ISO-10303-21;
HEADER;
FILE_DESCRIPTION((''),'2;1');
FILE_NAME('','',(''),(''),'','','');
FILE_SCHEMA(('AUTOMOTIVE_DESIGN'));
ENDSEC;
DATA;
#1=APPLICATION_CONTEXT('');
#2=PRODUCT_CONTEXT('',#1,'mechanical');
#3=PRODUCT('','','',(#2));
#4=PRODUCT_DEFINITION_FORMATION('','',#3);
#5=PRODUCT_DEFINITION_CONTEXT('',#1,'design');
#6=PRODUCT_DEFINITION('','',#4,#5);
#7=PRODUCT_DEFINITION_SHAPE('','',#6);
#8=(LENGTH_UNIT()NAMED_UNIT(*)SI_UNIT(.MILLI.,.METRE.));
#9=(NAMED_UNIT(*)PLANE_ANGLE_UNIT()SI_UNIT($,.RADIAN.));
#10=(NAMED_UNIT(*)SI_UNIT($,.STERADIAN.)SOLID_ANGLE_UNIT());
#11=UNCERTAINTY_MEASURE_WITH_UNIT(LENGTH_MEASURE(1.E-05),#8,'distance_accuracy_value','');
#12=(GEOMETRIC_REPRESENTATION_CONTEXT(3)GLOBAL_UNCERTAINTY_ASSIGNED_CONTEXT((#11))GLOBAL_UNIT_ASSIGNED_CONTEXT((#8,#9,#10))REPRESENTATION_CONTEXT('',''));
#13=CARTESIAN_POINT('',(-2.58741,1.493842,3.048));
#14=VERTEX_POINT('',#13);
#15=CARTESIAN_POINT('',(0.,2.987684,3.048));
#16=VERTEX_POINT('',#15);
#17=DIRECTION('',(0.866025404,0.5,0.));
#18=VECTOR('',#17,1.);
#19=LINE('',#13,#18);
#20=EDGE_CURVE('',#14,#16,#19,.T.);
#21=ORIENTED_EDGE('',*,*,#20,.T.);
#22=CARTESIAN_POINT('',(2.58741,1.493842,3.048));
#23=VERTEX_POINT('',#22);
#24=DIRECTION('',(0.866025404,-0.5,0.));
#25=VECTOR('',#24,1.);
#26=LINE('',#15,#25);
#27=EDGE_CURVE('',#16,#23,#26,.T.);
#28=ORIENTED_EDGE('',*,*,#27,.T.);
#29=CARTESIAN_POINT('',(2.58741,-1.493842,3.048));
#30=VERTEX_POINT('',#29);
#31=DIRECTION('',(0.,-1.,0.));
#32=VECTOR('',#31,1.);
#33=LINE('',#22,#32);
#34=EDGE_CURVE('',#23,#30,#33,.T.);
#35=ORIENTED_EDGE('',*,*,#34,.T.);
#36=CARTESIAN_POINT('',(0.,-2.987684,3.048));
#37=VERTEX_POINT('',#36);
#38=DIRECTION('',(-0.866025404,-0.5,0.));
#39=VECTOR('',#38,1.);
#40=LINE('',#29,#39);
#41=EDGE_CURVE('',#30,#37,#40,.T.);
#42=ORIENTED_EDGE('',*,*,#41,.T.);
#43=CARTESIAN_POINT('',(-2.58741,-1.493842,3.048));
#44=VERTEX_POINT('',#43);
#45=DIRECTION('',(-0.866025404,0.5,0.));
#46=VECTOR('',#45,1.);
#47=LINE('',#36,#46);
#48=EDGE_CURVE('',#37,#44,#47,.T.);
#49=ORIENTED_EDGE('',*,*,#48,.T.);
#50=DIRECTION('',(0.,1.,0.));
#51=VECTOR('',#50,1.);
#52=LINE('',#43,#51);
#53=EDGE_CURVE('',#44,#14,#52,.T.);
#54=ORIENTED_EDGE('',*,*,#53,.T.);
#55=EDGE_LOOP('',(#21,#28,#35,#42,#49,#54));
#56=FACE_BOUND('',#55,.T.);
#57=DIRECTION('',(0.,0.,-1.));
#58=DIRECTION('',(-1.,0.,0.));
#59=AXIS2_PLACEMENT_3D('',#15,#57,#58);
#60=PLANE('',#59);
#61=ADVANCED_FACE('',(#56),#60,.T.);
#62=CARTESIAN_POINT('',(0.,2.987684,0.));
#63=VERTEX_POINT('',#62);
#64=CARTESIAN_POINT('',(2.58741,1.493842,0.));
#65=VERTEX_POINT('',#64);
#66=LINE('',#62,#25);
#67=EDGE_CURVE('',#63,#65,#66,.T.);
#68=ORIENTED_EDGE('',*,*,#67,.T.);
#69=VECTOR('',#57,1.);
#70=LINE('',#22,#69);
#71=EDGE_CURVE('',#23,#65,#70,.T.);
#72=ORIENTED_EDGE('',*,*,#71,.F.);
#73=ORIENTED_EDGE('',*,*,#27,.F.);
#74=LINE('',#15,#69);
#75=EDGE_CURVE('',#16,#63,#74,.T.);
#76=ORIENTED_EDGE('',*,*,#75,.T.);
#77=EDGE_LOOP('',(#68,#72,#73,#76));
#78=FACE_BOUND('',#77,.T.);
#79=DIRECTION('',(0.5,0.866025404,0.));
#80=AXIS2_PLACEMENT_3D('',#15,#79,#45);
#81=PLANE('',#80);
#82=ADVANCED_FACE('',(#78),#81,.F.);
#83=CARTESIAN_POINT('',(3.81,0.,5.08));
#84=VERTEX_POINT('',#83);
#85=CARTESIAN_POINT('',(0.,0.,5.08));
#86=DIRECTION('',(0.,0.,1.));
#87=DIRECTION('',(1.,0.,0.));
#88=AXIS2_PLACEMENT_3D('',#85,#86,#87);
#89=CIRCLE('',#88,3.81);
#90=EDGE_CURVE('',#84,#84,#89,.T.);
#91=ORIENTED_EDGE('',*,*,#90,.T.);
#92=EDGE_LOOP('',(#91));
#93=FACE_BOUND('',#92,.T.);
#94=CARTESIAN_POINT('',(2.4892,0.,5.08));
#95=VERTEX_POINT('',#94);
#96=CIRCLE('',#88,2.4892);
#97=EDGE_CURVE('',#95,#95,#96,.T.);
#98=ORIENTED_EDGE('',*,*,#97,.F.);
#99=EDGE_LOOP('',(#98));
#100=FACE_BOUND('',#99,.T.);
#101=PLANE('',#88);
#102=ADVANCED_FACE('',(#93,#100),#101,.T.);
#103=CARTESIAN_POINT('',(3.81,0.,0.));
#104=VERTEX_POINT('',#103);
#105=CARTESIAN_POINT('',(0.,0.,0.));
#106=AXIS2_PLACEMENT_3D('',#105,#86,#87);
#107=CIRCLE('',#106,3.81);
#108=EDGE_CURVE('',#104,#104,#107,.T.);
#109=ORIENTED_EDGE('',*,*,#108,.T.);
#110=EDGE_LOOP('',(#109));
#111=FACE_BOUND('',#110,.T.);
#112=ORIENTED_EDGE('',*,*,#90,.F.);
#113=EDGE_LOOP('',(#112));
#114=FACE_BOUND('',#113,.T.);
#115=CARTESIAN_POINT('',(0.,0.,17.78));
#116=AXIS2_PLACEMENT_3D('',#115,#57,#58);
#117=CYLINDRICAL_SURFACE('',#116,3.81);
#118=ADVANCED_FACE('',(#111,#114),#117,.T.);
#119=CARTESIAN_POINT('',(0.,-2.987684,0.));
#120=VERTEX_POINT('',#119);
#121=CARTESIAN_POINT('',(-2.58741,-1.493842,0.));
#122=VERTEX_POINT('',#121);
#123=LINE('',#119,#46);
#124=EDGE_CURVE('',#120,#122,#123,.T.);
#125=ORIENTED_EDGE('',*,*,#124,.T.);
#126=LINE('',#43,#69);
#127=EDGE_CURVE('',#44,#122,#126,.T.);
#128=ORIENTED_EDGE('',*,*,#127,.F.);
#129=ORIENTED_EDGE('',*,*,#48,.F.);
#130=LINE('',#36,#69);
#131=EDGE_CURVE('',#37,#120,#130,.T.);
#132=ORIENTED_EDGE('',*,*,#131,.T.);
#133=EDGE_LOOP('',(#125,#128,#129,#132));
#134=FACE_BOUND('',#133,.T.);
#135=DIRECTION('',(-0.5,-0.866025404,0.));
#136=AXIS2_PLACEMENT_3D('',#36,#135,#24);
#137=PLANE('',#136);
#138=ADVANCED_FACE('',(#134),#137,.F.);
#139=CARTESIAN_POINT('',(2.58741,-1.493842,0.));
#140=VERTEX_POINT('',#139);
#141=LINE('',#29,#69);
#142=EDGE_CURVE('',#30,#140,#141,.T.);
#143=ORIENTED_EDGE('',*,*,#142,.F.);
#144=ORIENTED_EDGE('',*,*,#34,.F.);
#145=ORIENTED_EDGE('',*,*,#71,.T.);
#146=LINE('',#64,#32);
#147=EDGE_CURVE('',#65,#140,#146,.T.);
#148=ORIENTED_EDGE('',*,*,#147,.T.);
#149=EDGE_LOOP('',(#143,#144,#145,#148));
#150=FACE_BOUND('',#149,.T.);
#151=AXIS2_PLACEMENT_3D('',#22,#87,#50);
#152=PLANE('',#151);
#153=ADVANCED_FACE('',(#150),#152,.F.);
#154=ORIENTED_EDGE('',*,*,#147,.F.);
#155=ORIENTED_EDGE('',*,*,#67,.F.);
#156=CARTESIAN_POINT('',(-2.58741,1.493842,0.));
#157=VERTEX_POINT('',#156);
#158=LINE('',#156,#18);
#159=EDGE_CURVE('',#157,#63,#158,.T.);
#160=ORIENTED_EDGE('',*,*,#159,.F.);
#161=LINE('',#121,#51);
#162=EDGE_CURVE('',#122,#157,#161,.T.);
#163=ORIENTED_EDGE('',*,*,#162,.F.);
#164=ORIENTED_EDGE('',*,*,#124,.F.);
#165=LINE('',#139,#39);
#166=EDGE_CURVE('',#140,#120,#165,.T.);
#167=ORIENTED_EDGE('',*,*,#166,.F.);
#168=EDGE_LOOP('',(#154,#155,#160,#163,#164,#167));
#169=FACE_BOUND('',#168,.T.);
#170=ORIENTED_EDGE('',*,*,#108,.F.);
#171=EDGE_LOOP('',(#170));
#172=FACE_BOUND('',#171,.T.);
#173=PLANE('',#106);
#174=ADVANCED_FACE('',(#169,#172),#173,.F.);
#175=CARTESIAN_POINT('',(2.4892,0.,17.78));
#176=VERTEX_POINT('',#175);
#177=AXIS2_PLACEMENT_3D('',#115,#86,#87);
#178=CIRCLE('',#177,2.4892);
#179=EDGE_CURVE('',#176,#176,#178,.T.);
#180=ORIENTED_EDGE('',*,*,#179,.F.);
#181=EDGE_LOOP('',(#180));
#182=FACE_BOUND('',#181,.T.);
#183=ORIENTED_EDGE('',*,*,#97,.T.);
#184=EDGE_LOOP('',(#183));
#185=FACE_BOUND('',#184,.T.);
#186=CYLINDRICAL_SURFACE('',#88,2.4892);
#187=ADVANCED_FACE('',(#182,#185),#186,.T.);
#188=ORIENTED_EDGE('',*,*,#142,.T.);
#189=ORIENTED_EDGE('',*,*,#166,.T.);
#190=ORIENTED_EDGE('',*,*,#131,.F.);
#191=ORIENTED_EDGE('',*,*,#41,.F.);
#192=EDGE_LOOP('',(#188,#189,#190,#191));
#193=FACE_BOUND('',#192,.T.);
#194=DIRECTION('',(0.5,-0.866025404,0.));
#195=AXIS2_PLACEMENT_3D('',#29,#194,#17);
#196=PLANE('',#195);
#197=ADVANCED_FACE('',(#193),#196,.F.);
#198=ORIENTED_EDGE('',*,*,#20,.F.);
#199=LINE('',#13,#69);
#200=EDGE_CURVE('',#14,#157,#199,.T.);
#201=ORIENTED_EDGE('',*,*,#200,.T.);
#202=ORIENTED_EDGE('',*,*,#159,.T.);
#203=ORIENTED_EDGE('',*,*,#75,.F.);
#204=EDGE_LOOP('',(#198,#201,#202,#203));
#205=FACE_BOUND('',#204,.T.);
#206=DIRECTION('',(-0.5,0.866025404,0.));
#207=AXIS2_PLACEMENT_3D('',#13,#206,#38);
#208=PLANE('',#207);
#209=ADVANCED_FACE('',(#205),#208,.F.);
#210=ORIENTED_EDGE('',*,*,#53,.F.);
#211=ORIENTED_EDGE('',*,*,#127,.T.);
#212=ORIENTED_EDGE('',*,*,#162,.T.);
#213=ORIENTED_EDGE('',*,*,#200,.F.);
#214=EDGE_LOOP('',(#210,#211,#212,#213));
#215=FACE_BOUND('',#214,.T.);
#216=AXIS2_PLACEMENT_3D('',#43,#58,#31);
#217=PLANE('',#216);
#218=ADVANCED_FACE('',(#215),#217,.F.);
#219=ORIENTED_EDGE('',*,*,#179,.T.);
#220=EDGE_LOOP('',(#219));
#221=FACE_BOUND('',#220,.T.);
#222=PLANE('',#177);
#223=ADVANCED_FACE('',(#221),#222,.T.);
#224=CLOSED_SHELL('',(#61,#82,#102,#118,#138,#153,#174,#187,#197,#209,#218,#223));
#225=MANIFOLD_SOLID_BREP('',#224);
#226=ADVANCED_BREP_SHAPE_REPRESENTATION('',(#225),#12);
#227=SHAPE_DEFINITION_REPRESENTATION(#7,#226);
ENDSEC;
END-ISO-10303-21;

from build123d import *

# Parameters (mm, degrees)
SKETCH1_R         = 3.81
EXTRUDE1_DEPTH    = 17.78
SKETCH2_OUTSIDE_W = 13.778
SKETCH2_OUTSIDE_H = 13.778
SKETCH2_OUTSIDE_R = 2.4892
EXTRUDE2_DEPTH    = 12.7
EXTRUDE3_DEPTH    = 3.048


with BuildPart() as part:
    # Sketch1 → Extrude1 (new body)
    with BuildSketch(Plane.XY):
        Circle(SKETCH1_R)
    extrude(amount=EXTRUDE1_DEPTH)

    # Sketch2 outside → Extrude2 (cut)
    with BuildSketch(Plane.XY.offset(17.78)):
        Rectangle(SKETCH2_OUTSIDE_W, SKETCH2_OUTSIDE_H)
        Circle(SKETCH2_OUTSIDE_R, mode=Mode.SUBTRACT)
    extrude(amount=-EXTRUDE2_DEPTH, mode=Mode.SUBTRACT)

    # Sketch3 → Extrude3 (cut)
    with BuildSketch(Plane(origin=(0, 0, 0), x_dir=(-1, 0, 0), z_dir=(0, 0, -1))):
        Polygon((0, 2.987683948), (-2.587410198, 1.493841974), (-2.587410198, -1.493841974), (0, -2.987683948), (2.587410198, -1.493841974), (2.587410198, 1.493841974), align=None)
    extrude(amount=-EXTRUDE3_DEPTH, mode=Mode.SUBTRACT)


solid = part.part
